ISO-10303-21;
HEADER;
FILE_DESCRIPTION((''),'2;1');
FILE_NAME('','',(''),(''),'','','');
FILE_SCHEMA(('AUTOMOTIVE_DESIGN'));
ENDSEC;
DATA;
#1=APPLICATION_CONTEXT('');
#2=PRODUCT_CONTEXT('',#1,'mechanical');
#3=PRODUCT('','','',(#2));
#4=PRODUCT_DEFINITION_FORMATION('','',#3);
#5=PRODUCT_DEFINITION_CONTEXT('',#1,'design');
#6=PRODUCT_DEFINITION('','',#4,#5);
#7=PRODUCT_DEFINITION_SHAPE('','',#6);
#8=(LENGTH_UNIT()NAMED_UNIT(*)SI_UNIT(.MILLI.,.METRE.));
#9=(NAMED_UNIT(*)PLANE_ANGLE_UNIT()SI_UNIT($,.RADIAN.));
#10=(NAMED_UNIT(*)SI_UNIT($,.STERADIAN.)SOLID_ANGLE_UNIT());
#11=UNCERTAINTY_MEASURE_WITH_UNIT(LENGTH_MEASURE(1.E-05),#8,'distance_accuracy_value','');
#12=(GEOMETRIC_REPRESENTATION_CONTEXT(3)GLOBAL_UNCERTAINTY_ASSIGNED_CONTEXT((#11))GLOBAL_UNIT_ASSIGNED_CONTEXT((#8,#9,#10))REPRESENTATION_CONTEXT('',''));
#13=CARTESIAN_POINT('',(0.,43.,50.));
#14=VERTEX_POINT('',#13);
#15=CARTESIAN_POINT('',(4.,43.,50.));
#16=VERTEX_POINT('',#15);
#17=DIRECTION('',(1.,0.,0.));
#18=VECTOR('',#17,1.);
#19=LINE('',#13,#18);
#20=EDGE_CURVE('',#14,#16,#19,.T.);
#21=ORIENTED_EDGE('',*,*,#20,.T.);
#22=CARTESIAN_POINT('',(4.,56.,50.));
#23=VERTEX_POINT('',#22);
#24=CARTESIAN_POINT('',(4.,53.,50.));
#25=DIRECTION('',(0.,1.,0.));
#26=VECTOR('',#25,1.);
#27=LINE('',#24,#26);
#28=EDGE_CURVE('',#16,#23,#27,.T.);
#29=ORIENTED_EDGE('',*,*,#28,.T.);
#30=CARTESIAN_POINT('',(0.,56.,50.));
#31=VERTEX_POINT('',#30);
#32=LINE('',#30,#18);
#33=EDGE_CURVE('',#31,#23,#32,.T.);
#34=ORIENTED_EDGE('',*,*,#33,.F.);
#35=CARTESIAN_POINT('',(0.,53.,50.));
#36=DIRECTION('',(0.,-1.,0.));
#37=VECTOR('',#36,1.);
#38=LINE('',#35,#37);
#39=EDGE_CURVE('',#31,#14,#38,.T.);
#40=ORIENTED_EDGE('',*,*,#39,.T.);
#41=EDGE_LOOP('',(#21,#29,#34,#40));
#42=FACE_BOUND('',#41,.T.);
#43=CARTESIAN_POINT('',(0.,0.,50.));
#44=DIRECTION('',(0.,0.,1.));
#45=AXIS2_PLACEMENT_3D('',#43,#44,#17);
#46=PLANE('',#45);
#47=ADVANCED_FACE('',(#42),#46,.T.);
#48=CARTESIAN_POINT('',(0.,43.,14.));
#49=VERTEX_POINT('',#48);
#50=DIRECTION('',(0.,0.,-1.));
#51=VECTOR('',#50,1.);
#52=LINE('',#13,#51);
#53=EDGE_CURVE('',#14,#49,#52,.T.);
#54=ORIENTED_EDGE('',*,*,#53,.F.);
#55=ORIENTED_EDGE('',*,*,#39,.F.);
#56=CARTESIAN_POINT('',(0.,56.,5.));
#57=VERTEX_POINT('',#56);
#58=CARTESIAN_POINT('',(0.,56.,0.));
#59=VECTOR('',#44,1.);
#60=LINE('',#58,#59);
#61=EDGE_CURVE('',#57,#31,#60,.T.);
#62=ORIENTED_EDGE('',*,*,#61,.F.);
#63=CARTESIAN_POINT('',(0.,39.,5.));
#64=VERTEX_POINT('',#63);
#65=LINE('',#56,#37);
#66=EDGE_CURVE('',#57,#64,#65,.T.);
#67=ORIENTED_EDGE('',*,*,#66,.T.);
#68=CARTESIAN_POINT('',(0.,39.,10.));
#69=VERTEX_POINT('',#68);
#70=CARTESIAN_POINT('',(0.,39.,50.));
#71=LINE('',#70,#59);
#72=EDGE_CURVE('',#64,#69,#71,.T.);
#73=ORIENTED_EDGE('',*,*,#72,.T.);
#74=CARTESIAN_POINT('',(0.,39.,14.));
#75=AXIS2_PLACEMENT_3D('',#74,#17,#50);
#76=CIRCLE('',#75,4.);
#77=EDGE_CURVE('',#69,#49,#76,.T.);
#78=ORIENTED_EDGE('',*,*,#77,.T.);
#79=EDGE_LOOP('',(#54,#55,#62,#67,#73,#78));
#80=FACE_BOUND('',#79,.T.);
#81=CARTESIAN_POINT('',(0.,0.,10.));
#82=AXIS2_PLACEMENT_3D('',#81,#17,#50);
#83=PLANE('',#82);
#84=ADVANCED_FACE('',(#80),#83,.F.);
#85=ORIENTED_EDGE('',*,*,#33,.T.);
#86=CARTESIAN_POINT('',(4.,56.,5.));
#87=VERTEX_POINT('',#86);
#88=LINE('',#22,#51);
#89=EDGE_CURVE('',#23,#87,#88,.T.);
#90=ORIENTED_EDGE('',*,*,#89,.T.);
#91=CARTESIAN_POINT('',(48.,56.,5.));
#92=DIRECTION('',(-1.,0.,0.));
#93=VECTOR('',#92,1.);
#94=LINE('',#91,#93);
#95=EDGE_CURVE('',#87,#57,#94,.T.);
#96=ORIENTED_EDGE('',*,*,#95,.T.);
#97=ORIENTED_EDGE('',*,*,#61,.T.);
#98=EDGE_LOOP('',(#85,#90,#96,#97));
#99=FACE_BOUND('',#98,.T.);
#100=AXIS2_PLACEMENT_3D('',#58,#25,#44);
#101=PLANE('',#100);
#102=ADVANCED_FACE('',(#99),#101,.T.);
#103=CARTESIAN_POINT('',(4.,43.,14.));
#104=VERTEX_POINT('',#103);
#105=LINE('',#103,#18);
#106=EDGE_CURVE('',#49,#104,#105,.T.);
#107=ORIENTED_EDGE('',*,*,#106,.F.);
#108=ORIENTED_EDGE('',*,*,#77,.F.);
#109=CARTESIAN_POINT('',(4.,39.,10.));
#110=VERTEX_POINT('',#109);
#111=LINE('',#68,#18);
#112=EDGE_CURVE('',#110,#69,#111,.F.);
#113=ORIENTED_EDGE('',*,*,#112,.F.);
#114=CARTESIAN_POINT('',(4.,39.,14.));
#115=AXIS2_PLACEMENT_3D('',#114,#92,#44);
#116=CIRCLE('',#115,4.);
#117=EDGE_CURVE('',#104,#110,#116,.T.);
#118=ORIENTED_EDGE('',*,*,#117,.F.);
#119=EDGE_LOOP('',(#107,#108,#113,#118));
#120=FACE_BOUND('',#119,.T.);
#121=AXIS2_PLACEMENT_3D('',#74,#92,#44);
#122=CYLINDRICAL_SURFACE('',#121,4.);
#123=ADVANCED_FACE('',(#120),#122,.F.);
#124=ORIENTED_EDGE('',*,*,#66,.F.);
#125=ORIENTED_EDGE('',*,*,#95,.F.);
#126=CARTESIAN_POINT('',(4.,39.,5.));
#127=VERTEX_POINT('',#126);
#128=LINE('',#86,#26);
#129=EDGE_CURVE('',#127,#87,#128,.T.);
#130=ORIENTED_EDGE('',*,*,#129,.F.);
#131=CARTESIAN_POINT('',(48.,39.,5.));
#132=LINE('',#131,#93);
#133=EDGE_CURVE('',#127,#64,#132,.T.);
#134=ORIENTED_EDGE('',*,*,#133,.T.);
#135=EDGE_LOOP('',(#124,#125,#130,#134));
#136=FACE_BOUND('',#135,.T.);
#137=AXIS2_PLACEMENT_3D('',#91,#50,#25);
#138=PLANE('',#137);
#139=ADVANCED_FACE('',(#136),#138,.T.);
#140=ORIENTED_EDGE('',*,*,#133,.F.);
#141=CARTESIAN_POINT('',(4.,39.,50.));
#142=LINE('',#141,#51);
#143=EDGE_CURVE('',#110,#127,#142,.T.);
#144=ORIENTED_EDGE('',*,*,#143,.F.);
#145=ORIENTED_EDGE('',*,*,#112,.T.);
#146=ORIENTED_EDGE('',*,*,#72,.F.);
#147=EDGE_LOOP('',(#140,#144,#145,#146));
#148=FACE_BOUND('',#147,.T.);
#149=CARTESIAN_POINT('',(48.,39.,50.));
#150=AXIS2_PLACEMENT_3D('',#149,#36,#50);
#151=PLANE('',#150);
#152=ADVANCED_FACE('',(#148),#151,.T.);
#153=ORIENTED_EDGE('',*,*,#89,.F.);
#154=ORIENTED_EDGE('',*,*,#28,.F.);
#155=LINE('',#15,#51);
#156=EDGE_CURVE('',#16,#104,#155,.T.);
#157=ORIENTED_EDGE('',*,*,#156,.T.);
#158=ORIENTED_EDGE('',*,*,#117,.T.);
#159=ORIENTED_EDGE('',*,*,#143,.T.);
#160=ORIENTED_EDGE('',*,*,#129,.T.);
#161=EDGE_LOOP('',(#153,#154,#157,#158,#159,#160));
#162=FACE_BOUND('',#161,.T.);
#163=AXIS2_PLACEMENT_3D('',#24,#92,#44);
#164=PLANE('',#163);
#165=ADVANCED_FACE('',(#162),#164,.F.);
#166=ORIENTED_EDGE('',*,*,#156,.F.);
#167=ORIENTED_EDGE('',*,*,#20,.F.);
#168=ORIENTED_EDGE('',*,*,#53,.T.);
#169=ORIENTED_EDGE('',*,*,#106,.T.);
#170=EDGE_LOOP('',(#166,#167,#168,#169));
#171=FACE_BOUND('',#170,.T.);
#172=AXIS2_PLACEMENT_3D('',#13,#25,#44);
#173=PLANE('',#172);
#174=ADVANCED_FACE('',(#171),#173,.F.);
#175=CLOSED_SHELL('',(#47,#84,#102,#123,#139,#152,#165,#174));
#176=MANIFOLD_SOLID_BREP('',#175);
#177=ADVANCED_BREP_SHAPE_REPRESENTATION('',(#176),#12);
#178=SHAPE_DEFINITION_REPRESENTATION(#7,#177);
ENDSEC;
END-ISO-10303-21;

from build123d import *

# Parameters (mm, degrees)
SKETCH1_W            = 48
SKETCH1_H            = 53
BOSS_EXTRUDE1_DEPTH  = 10
SKETCH2_W            = 48
SKETCH2_H            = 5.616325
BOSS_EXTRUDE2_DEPTH  = 33.1917878
SKETCH4_W            = 4
SKETCH4_H            = 10
BOSS_EXTRUDE4_DEPTH  = 40
SKETCH5_W            = 48
SKETCH5_H            = 10.8609375
BOSS_EXTRUDE5_DEPTH  = 23.1917878
SKETCH6_W            = 48
SKETCH6_H            = 5
BOSS_EXTRUDE6_DEPTH  = 42.3
SKETCH7_W            = 12.8082122
SKETCH7_H            = 16.4772625
BOSS_EXTRUDE7_DEPTH  = 48
CUT_EXTRUDE1_REACH   = 84.426
SKETCH8_R            = 11.5
SKETCH8_R_2          = 2
FILLET1_R            = 10
FILLET2_R            = 4
SKETCH9_W            = 5
SKETCH9_H            = 16.4772625
BOSS_EXTRUDE9_DEPTH  = 48
CUT_EXTRUDE2_DEPTH   = 6
SKETCH11_R           = 1.9304
CUT_EXTRUDE3_DEPTH   = 6
BOSS_EXTRUDE11_DEPTH = 3
SKETCH14_W           = 146.253560905
SKETCH14_H           = 143.633383104
SKETCH14_W_2         = 45
SKETCH14_H_2         = 17
CUT_EXTRUDE5_DEPTH   = 90.10667764
SKETCH15_W           = 68.343124148
SKETCH15_H           = 38.24816948
CUT_EXTRUDE6_DEPTH   = 44


with BuildPart() as part:
    # Sketch1 → Boss-Extrude1 (new body)
    with BuildSketch(Plane.XY):
        with Locations((24, 26.5)):
            Rectangle(SKETCH1_W, SKETCH1_H)
    extrude(amount=BOSS_EXTRUDE1_DEPTH)

    # Sketch2 → Boss-Extrude2 (add)
    with BuildSketch(Plane(origin=(0, 0, 0), x_dir=(-1, 0, 0), z_dir=(0, 0, -1))):
        with Locations((-24, -2.8081625)):
            Rectangle(SKETCH2_W, SKETCH2_H)
    extrude(amount=-BOSS_EXTRUDE2_DEPTH)

    # Sketch4 → Boss-Extrude4 (add)
    with BuildSketch(Plane.XY.offset(10)):
        with Locations((2, 48)):
            Rectangle(SKETCH4_W, SKETCH4_H)
        with Locations((46, 48)):
            Rectangle(SKETCH4_W, SKETCH4_H)
    extrude(amount=BOSS_EXTRUDE4_DEPTH)

    # Sketch5 → Boss-Extrude5 (add)
    with BuildSketch(Plane.XY.offset(10)):
        with Locations((24, 5.43046875)):
            Rectangle(SKETCH5_W, SKETCH5_H)
    extrude(amount=BOSS_EXTRUDE5_DEPTH)

    # Sketch6 → Boss-Extrude6 (add)
    with BuildSketch(Plane.XZ.offset(5.616325)):
        with Locations((24, 30.6917878)):
            Rectangle(SKETCH6_W, SKETCH6_H)
    extrude(amount=BOSS_EXTRUDE6_DEPTH)

    # Sketch7 → Boss-Extrude7 (add)
    with BuildSketch(Plane.ZY):
        with Locations((-6.4041061, 2.62230625)):
            Rectangle(SKETCH7_W, SKETCH7_H)
    extrude(amount=-BOSS_EXTRUDE7_DEPTH)

    # Sketch8 → Cut-Extrude1 (cut, up to next)
    with BuildSketch(Plane(origin=(0, 0, 28.1917878), x_dir=(-1, 0, 0), z_dir=(0, 0, -1)), mode=Mode.PRIVATE) as cut_extrude1_sk1:
        with Locations((-24, -26.616325)):
            Circle(SKETCH8_R)
    cut_extrude1_tool1 = extrude(cut_extrude1_sk1.sketch, amount=-CUT_EXTRUDE1_REACH, mode=Mode.PRIVATE) & part.part
    # Sketch8 → Cut-Extrude1 (cut, up to next)
    with BuildSketch(Plane(origin=(0, 0, 28.1917878), x_dir=(-1, 0, 0), z_dir=(0, 0, -1)), mode=Mode.PRIVATE) as cut_extrude1_sk2:
        with Locations((-39.5, -11.116325)):
            Circle(SKETCH8_R_2)
    cut_extrude1_tool2 = extrude(cut_extrude1_sk2.sketch, amount=-CUT_EXTRUDE1_REACH, mode=Mode.PRIVATE) & part.part
    # Sketch8 → Cut-Extrude1 (cut, up to next)
    with BuildSketch(Plane(origin=(0, 0, 28.1917878), x_dir=(-1, 0, 0), z_dir=(0, 0, -1)), mode=Mode.PRIVATE) as cut_extrude1_sk3:
        with Locations((-39.5, -42.116325)):
            Circle(SKETCH8_R_2)
    cut_extrude1_tool3 = extrude(cut_extrude1_sk3.sketch, amount=-CUT_EXTRUDE1_REACH, mode=Mode.PRIVATE) & part.part
    # Sketch8 → Cut-Extrude1 (cut, up to next)
    with BuildSketch(Plane(origin=(0, 0, 28.1917878), x_dir=(-1, 0, 0), z_dir=(0, 0, -1)), mode=Mode.PRIVATE) as cut_extrude1_sk4:
        with Locations((-8.5, -11.116325)):
            Circle(SKETCH8_R_2)
    cut_extrude1_tool4 = extrude(cut_extrude1_sk4.sketch, amount=-CUT_EXTRUDE1_REACH, mode=Mode.PRIVATE) & part.part
    # Sketch8 → Cut-Extrude1 (cut, up to next)
    with BuildSketch(Plane(origin=(0, 0, 28.1917878), x_dir=(-1, 0, 0), z_dir=(0, 0, -1)), mode=Mode.PRIVATE) as cut_extrude1_sk5:
        with Locations((-8.5, -42.116325)):
            Circle(SKETCH8_R_2)
    cut_extrude1_tool5 = extrude(cut_extrude1_sk5.sketch, amount=-CUT_EXTRUDE1_REACH, mode=Mode.PRIVATE) & part.part
    add(cut_extrude1_tool1.solids().sort_by_distance((24, -26.616325, 28.191788))[0], mode=Mode.SUBTRACT)
    add(cut_extrude1_tool2.solids().sort_by_distance((39.5, -11.116325, 28.191788))[0], mode=Mode.SUBTRACT)
    add(cut_extrude1_tool3.solids().sort_by_distance((39.5, -42.116325, 28.191788))[0], mode=Mode.SUBTRACT)
    add(cut_extrude1_tool4.solids().sort_by_distance((8.5, -11.116325, 28.191788))[0], mode=Mode.SUBTRACT)
    add(cut_extrude1_tool5.solids().sort_by_distance((8.5, -42.116325, 28.191788))[0], mode=Mode.SUBTRACT)

    # Fillet1
    fillet1_edges = [part.edges().sort_by_distance(p)[0] for p in [
        (24, 10.8609375, 0),
    ]]
    fillet(fillet1_edges, radius=FILLET1_R)

    # Fillet2
    fillet2_edges = [part.edges().sort_by_distance(p)[0] for p in [
        (2, 43, 10),
        (46, 43, 10),
    ]]
    fillet(fillet2_edges, radius=FILLET2_R)

    # Sketch9 → Boss-Extrude9 (add)
    with BuildSketch(Plane(origin=(48, 0, 0), x_dir=(0, 0, -1), z_dir=(1, 0, 0))):
        with Locations((15.3082122, 2.62230625)):
            Rectangle(SKETCH9_W, SKETCH9_H)
    extrude(amount=-BOSS_EXTRUDE9_DEPTH)

    # Sketch10 → Cut-Extrude2 (cut)
    with BuildSketch(Plane.XY.offset(10)):
        Polygon((12.429, 36.979734073), (9, 38.959468146), (5.571, 36.979734073), (5.571, 33.020265927), (9, 31.040531854), (12.429, 33.020265927), align=None)
        Polygon((35.571, 36.979734073), (35.571, 33.020265927), (39, 31.040531854), (42.429, 33.020265927), (42.429, 36.979734073), (39, 38.959468146), align=None)
    extrude(amount=-CUT_EXTRUDE2_DEPTH, mode=Mode.SUBTRACT)

    # Sketch11 → Cut-Extrude3 (cut)
    with BuildSketch(Plane.XY.offset(4)):
        with Locations((9, 35)):
            Circle(SKETCH11_R)
        with Locations((39, 35)):
            Circle(SKETCH11_R)
    extrude(amount=-CUT_EXTRUDE3_DEPTH, mode=Mode.SUBTRACT)

    # Sketch12 → Boss-Extrude11 (add)
    with BuildSketch(Plane(origin=(0, 53, 0), x_dir=(1, 0, 0), z_dir=(0, 1, 0))):
        Polygon((0, 0), (0, -50), (4, -50), (4, -10), (44, -10), (44, -50), (48, -50), (48, 0), align=None)
    extrude(amount=BOSS_EXTRUDE11_DEPTH)

    # Sketch14 → Cut-Extrude5 (cut, through all)
    with BuildSketch(Plane.ZY):
        with Locations((21.574447485, 12.73606384)):
            Rectangle(SKETCH14_W, SKETCH14_H)
        with Locations((27.5, 47.5)):
            Rectangle(SKETCH14_W_2, SKETCH14_H_2, mode=Mode.SUBTRACT)
    extrude(amount=-CUT_EXTRUDE5_DEPTH, mode=Mode.SUBTRACT)

    # Sketch15 → Cut-Extrude6 (cut)
    with BuildSketch(Plane(origin=(48, 0, 0), x_dir=(0, 0, -1), z_dir=(1, 0, 0))):
        with Locations((-31.986382943, 43.740124775)):
            Rectangle(SKETCH15_W, SKETCH15_H)
    extrude(amount=-CUT_EXTRUDE6_DEPTH, mode=Mode.SUBTRACT)


solid = part.part
